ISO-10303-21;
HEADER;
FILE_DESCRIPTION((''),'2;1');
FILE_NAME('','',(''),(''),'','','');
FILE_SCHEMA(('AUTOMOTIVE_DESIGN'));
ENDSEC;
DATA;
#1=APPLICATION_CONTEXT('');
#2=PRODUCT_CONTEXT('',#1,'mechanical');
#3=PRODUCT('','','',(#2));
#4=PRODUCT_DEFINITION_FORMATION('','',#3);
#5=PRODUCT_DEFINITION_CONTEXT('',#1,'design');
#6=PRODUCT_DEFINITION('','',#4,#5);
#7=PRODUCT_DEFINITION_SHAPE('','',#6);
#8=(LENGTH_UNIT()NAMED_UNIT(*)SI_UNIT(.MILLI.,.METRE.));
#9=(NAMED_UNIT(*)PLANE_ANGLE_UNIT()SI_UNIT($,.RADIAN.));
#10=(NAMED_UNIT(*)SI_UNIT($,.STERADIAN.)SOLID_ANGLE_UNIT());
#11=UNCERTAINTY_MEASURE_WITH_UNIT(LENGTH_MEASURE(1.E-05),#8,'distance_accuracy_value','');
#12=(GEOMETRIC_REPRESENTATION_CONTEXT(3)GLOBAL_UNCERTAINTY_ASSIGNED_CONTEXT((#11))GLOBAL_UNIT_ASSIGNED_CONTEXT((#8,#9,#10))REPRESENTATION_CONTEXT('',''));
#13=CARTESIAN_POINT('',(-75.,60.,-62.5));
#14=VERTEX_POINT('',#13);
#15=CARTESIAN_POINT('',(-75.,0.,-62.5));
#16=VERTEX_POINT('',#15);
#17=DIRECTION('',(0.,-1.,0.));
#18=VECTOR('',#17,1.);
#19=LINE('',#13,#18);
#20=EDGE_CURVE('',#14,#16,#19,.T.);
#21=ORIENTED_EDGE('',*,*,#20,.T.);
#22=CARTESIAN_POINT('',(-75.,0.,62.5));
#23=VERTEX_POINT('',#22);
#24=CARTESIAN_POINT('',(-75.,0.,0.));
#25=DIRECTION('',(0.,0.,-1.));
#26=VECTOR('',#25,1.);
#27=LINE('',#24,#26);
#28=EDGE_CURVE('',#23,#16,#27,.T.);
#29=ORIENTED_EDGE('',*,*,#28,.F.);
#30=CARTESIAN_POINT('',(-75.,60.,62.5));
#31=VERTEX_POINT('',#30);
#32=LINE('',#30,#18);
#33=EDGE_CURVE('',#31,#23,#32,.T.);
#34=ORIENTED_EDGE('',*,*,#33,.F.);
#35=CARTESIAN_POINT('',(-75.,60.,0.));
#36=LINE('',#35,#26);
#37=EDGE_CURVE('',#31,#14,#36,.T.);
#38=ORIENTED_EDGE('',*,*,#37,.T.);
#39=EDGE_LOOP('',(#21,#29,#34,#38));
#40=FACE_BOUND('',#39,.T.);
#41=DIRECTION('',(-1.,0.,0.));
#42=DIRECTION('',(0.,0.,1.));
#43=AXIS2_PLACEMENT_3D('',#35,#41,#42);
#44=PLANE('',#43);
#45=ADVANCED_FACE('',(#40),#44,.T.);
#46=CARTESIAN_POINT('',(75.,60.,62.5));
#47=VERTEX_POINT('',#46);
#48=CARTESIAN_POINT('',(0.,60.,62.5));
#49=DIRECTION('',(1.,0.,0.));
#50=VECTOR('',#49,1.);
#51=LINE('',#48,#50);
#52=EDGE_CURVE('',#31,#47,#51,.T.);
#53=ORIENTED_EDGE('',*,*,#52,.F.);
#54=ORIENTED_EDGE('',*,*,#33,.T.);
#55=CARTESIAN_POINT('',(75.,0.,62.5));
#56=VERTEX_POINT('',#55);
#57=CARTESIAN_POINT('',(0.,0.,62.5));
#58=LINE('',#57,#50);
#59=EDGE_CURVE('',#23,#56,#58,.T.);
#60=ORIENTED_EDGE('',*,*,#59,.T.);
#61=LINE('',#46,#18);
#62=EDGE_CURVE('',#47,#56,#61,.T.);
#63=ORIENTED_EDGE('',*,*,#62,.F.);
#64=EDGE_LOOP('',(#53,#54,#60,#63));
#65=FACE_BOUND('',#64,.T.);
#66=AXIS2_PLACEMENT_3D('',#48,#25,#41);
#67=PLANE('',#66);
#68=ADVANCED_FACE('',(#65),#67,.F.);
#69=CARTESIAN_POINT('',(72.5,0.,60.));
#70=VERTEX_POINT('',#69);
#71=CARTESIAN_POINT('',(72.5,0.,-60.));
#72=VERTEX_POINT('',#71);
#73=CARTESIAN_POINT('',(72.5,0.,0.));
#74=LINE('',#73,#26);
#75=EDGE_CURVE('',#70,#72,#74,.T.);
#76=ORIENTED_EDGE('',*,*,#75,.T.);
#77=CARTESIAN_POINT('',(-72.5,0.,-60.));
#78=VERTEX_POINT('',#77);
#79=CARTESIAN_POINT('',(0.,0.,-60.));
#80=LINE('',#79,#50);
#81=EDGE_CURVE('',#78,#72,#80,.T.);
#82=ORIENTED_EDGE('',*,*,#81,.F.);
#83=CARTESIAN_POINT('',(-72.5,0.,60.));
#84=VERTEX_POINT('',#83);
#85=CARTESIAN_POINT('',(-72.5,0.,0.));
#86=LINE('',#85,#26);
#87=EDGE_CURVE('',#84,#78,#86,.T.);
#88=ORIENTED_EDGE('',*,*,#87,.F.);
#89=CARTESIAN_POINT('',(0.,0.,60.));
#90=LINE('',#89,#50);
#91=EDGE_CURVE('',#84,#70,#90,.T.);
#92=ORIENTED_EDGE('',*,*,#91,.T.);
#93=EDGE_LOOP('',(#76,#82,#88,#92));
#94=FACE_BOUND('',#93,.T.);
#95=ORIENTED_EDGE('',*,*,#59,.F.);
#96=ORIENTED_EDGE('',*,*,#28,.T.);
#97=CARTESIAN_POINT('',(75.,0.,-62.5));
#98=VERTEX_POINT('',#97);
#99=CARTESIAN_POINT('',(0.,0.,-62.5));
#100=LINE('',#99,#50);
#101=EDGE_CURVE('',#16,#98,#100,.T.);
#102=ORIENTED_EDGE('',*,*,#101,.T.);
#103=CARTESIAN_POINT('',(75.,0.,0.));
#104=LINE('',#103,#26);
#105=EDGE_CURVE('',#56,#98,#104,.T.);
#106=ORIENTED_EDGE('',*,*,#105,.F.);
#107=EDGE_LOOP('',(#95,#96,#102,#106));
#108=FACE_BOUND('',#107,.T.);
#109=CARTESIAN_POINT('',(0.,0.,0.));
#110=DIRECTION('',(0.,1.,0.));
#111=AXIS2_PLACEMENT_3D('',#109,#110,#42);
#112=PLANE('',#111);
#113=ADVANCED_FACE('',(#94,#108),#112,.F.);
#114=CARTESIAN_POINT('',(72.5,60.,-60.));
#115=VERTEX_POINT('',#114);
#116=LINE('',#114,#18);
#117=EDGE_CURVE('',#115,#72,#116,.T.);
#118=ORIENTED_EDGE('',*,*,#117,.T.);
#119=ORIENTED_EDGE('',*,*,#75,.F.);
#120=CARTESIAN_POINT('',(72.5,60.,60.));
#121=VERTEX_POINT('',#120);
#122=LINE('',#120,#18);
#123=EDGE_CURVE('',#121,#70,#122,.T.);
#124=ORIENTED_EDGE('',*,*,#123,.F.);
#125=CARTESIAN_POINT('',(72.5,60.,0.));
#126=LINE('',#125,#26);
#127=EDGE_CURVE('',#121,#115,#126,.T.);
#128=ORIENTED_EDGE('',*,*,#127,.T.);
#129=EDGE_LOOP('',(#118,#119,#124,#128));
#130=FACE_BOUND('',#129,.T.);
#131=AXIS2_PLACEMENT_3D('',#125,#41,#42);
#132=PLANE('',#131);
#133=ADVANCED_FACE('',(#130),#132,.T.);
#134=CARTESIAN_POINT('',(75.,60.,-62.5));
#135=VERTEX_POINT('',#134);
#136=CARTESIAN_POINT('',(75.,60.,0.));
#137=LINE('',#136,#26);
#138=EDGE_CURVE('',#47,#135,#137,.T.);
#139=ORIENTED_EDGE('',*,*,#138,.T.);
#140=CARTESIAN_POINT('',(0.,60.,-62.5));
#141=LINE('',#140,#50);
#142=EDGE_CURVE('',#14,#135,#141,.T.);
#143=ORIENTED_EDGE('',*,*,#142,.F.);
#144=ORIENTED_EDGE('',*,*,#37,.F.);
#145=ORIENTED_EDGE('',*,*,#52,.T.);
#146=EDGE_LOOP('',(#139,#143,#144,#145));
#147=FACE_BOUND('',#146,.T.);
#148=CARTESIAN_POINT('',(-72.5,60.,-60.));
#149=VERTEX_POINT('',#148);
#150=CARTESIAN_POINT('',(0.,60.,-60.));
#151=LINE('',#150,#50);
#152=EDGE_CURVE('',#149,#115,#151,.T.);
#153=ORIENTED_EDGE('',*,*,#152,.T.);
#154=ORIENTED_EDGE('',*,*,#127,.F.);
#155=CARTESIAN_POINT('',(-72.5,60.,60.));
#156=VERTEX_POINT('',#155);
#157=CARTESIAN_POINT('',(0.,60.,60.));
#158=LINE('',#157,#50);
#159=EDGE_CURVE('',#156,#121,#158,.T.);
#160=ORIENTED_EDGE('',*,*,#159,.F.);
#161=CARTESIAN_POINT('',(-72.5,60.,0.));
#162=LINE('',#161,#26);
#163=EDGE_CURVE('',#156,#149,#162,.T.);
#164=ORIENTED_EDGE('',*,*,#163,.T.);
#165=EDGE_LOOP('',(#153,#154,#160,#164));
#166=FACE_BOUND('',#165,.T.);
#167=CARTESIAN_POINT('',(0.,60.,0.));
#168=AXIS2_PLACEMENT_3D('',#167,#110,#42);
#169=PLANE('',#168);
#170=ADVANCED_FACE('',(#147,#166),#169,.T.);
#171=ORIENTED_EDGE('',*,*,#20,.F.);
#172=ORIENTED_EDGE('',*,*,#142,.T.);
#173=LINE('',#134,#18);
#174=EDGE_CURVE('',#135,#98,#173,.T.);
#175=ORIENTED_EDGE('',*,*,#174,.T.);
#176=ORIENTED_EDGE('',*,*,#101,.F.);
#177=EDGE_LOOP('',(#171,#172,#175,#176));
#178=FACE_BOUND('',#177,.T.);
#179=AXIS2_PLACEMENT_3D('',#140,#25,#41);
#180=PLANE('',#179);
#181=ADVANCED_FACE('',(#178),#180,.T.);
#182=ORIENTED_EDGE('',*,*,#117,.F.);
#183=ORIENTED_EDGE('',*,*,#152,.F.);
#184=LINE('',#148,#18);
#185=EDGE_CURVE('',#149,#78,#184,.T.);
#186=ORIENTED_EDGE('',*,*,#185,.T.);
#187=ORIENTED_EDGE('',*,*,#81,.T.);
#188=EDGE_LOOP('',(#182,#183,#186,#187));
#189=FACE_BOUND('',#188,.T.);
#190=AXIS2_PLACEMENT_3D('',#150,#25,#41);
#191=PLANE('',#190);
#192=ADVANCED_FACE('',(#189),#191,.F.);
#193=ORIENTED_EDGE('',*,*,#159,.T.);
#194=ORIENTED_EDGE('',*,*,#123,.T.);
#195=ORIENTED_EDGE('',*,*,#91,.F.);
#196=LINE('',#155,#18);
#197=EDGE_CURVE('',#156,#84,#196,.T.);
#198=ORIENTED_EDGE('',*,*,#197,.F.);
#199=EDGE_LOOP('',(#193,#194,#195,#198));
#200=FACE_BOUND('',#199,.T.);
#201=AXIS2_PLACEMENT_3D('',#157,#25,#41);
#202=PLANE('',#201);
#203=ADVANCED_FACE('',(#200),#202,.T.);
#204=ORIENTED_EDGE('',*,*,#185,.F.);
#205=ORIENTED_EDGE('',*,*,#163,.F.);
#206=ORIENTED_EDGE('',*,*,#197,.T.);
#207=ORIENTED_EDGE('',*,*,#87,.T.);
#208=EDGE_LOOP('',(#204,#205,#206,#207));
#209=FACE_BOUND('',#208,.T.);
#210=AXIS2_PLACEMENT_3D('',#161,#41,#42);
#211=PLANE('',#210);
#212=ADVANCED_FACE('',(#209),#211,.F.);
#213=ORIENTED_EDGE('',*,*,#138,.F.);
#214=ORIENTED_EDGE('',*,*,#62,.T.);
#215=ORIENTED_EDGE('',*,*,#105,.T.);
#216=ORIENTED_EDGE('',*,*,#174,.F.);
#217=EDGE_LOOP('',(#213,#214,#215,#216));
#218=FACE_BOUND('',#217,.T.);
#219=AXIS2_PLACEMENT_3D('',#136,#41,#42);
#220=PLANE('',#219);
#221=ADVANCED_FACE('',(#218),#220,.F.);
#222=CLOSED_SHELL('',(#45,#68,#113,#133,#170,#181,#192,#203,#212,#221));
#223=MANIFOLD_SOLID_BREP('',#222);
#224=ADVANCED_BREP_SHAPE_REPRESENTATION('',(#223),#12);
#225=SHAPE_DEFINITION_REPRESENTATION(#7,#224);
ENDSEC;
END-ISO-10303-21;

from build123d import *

# Parameters (mm, degrees)
SKETCH1_W           = 150
SKETCH1_H           = 125
BOSS_EXTRUDE1_DEPTH = 60
SHELL1_T            = -2.5


with BuildPart() as part:
    # Sketch1 → Boss-Extrude1 (new body)
    with BuildSketch(Plane(origin=(0, 0, 0), x_dir=(1, 0, 0), z_dir=(0, 1, 0))):
        Rectangle(SKETCH1_W, SKETCH1_H)
    extrude(amount=BOSS_EXTRUDE1_DEPTH)

    # Shell1
    shell1_openings = [part.faces().sort_by_distance(p)[0] for p in [
        (0, 60, 0),
        (0, 0, 0),
    ]]
    offset(amount=SHELL1_T, openings=shell1_openings, kind=Kind.INTERSECTION)


solid = part.part
